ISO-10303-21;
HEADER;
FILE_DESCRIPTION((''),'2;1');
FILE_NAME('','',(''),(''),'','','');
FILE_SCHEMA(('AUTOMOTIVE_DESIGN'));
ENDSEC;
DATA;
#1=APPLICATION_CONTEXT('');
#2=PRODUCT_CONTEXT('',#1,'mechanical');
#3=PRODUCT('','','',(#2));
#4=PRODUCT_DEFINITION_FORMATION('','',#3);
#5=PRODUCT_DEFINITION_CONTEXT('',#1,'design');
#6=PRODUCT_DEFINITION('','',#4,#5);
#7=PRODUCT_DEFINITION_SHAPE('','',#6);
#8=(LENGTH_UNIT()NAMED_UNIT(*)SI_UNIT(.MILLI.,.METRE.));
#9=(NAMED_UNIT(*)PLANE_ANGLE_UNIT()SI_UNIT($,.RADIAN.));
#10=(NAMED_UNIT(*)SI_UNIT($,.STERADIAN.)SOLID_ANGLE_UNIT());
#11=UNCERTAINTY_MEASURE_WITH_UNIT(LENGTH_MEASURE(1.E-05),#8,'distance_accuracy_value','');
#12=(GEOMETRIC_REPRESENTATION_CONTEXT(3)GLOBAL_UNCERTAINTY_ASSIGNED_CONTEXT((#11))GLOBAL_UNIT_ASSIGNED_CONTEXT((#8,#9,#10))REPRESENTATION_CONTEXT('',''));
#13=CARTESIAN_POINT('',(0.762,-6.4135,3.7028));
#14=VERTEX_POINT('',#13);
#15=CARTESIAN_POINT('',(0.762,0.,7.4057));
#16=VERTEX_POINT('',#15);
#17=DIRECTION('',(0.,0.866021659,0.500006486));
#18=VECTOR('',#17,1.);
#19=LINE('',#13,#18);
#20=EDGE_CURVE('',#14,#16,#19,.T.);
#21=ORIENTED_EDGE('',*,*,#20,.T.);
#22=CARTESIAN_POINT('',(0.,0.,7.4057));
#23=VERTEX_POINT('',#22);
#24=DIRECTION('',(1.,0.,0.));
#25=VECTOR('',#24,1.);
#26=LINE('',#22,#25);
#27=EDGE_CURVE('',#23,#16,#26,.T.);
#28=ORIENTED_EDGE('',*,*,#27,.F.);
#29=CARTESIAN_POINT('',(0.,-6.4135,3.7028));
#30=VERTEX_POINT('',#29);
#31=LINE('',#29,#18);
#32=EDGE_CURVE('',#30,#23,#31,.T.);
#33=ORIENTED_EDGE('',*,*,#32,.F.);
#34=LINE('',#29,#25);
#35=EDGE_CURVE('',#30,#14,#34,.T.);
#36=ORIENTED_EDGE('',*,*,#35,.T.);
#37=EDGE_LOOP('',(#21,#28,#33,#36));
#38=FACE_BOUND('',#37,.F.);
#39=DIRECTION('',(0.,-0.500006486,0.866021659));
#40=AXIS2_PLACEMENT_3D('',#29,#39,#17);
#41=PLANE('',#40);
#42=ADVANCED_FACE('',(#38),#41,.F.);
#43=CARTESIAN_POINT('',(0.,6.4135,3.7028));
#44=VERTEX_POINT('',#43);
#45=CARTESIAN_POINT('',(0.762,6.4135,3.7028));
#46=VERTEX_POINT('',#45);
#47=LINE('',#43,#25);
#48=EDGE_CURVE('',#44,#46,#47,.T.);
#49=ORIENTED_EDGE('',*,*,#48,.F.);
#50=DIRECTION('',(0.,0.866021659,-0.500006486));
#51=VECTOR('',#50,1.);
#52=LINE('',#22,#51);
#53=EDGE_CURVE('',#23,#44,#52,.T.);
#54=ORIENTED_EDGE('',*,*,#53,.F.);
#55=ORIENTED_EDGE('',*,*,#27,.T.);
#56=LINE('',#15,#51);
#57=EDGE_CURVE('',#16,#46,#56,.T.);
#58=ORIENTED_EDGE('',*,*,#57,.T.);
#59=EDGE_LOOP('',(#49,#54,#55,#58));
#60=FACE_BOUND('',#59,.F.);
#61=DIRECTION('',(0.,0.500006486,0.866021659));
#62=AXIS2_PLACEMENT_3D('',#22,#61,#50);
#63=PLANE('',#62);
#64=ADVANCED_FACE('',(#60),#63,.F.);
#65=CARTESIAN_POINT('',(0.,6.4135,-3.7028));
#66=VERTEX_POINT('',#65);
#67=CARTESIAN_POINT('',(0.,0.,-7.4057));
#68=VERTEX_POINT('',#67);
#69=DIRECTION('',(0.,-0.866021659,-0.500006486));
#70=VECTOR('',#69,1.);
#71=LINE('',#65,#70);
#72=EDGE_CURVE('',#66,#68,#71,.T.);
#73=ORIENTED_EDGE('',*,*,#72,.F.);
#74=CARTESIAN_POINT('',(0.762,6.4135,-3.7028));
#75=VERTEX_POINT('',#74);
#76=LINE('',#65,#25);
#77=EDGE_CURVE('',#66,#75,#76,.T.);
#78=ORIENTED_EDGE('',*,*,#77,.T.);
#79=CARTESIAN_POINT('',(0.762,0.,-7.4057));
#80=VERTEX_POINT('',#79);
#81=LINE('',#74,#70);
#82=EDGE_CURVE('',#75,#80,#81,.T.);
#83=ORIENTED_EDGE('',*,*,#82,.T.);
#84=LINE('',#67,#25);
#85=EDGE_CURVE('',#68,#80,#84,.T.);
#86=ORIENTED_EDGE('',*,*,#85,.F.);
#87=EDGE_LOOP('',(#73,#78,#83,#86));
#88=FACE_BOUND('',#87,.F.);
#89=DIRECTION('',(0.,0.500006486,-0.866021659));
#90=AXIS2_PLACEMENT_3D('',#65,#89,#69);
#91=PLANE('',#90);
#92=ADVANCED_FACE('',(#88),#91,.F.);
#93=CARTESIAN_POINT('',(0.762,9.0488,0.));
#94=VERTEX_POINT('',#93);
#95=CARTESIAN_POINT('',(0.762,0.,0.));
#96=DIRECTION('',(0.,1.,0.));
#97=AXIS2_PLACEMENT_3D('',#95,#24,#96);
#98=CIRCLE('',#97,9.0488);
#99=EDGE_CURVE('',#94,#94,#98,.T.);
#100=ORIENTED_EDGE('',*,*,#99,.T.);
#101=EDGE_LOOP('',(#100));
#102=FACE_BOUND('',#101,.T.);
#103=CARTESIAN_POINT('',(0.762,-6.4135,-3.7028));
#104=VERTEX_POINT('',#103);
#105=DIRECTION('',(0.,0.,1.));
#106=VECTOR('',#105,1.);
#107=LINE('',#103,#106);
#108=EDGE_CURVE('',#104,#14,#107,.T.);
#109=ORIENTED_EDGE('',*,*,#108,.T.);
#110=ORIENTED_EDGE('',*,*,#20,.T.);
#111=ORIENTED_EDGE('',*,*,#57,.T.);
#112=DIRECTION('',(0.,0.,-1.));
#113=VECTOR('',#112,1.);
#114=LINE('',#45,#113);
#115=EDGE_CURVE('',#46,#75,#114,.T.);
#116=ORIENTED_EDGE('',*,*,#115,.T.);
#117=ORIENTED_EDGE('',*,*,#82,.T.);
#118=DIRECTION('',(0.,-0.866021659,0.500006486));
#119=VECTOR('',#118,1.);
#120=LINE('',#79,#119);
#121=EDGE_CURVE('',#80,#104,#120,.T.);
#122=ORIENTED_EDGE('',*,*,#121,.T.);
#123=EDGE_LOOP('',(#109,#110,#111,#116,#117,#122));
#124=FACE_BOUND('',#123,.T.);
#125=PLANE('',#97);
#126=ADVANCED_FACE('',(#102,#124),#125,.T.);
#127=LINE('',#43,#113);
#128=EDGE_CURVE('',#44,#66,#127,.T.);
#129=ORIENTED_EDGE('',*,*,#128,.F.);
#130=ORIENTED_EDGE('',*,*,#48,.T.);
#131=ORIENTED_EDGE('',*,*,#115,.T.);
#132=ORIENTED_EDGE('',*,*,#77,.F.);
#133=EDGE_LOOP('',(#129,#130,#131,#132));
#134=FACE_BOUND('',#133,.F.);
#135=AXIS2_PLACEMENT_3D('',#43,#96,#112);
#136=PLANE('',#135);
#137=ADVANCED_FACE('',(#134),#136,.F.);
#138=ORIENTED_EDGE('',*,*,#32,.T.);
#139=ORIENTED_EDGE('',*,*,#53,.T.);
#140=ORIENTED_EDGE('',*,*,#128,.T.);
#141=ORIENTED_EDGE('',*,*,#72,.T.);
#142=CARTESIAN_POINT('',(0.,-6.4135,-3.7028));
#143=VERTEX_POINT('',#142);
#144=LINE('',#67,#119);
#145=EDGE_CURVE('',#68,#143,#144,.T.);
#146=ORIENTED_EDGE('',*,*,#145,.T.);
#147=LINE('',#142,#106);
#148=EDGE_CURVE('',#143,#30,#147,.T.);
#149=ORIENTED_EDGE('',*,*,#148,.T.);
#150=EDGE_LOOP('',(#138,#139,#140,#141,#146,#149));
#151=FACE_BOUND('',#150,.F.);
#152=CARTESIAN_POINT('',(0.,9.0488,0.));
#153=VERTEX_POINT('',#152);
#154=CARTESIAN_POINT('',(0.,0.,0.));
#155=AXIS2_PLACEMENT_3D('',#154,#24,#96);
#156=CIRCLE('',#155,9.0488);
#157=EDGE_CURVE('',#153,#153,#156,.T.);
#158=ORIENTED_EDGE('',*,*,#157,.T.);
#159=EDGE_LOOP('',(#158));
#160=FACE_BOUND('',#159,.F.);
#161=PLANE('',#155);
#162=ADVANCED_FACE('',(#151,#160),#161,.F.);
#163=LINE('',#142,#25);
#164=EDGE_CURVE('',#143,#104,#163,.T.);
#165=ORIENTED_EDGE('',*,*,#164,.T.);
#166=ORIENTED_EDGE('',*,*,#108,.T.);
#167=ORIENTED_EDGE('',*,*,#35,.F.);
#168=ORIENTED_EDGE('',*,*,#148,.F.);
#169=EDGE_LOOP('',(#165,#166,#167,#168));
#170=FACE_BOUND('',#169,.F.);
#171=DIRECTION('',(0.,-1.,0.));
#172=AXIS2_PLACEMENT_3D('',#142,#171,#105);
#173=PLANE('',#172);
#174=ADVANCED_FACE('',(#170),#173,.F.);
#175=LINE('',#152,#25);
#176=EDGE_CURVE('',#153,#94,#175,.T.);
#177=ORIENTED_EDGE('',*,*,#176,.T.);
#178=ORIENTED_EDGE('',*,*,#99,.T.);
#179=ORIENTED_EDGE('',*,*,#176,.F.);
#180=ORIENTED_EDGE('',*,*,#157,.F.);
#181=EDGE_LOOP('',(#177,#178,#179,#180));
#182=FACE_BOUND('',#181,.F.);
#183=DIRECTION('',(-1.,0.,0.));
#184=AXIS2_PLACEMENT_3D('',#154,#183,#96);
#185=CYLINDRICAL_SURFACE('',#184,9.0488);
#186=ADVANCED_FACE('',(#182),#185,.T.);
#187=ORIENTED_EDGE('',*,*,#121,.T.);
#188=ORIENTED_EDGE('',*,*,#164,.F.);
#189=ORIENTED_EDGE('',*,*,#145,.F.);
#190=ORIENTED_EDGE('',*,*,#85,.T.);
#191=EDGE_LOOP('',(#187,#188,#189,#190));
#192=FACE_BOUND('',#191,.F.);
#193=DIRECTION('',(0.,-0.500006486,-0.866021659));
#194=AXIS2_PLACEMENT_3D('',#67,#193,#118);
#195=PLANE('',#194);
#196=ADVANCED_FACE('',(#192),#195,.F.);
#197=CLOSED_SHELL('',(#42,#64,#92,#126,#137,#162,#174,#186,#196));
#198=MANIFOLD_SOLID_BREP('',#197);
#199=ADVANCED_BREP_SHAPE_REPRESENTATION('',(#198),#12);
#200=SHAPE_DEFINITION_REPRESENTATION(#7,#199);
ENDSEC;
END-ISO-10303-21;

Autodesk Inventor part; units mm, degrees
ref_plane "YZ Plane" through (0, 0, 0) normal (1, 0, 0) x (0, 1, 0)
ref_plane "XZ Plane" through (0, 0, 0) normal (0, 1, 0) x (-1, 0, 0)
ref_plane "XY Plane" through (0, 0, 0) normal (0, 0, 1) x (1, 0, 0)
sketch "Sketch1" plane through (0, 0, 0) normal (1, 0, 0) x (0, 1, 0)
  line L0 (6.4135, -3.7028) -> (0, -7.4057)
  line L1 (0, -7.4057) -> (-6.4135, -3.7028)
  line L2 (-6.4135, -3.7028) -> (-6.4135, 3.7028)
  line L3 (-6.4135, 3.7028) -> (0, 7.4057)
  line L4 (0, 7.4057) -> (6.4135, 3.7028)
  line L5 (6.4135, 3.7028) -> (6.4135, -3.7028)
  circle A0 centre (0, 0) radius 9.0488
  dimension "d0" = 12.827
  dimension "d1" = 18.0975
extrude "Extrusion1" add sketch "Sketch1" along normal blind 0.762
properties part number "3DPRINT,FLYWHEEL,SPACER" material "ABS Plastic"
